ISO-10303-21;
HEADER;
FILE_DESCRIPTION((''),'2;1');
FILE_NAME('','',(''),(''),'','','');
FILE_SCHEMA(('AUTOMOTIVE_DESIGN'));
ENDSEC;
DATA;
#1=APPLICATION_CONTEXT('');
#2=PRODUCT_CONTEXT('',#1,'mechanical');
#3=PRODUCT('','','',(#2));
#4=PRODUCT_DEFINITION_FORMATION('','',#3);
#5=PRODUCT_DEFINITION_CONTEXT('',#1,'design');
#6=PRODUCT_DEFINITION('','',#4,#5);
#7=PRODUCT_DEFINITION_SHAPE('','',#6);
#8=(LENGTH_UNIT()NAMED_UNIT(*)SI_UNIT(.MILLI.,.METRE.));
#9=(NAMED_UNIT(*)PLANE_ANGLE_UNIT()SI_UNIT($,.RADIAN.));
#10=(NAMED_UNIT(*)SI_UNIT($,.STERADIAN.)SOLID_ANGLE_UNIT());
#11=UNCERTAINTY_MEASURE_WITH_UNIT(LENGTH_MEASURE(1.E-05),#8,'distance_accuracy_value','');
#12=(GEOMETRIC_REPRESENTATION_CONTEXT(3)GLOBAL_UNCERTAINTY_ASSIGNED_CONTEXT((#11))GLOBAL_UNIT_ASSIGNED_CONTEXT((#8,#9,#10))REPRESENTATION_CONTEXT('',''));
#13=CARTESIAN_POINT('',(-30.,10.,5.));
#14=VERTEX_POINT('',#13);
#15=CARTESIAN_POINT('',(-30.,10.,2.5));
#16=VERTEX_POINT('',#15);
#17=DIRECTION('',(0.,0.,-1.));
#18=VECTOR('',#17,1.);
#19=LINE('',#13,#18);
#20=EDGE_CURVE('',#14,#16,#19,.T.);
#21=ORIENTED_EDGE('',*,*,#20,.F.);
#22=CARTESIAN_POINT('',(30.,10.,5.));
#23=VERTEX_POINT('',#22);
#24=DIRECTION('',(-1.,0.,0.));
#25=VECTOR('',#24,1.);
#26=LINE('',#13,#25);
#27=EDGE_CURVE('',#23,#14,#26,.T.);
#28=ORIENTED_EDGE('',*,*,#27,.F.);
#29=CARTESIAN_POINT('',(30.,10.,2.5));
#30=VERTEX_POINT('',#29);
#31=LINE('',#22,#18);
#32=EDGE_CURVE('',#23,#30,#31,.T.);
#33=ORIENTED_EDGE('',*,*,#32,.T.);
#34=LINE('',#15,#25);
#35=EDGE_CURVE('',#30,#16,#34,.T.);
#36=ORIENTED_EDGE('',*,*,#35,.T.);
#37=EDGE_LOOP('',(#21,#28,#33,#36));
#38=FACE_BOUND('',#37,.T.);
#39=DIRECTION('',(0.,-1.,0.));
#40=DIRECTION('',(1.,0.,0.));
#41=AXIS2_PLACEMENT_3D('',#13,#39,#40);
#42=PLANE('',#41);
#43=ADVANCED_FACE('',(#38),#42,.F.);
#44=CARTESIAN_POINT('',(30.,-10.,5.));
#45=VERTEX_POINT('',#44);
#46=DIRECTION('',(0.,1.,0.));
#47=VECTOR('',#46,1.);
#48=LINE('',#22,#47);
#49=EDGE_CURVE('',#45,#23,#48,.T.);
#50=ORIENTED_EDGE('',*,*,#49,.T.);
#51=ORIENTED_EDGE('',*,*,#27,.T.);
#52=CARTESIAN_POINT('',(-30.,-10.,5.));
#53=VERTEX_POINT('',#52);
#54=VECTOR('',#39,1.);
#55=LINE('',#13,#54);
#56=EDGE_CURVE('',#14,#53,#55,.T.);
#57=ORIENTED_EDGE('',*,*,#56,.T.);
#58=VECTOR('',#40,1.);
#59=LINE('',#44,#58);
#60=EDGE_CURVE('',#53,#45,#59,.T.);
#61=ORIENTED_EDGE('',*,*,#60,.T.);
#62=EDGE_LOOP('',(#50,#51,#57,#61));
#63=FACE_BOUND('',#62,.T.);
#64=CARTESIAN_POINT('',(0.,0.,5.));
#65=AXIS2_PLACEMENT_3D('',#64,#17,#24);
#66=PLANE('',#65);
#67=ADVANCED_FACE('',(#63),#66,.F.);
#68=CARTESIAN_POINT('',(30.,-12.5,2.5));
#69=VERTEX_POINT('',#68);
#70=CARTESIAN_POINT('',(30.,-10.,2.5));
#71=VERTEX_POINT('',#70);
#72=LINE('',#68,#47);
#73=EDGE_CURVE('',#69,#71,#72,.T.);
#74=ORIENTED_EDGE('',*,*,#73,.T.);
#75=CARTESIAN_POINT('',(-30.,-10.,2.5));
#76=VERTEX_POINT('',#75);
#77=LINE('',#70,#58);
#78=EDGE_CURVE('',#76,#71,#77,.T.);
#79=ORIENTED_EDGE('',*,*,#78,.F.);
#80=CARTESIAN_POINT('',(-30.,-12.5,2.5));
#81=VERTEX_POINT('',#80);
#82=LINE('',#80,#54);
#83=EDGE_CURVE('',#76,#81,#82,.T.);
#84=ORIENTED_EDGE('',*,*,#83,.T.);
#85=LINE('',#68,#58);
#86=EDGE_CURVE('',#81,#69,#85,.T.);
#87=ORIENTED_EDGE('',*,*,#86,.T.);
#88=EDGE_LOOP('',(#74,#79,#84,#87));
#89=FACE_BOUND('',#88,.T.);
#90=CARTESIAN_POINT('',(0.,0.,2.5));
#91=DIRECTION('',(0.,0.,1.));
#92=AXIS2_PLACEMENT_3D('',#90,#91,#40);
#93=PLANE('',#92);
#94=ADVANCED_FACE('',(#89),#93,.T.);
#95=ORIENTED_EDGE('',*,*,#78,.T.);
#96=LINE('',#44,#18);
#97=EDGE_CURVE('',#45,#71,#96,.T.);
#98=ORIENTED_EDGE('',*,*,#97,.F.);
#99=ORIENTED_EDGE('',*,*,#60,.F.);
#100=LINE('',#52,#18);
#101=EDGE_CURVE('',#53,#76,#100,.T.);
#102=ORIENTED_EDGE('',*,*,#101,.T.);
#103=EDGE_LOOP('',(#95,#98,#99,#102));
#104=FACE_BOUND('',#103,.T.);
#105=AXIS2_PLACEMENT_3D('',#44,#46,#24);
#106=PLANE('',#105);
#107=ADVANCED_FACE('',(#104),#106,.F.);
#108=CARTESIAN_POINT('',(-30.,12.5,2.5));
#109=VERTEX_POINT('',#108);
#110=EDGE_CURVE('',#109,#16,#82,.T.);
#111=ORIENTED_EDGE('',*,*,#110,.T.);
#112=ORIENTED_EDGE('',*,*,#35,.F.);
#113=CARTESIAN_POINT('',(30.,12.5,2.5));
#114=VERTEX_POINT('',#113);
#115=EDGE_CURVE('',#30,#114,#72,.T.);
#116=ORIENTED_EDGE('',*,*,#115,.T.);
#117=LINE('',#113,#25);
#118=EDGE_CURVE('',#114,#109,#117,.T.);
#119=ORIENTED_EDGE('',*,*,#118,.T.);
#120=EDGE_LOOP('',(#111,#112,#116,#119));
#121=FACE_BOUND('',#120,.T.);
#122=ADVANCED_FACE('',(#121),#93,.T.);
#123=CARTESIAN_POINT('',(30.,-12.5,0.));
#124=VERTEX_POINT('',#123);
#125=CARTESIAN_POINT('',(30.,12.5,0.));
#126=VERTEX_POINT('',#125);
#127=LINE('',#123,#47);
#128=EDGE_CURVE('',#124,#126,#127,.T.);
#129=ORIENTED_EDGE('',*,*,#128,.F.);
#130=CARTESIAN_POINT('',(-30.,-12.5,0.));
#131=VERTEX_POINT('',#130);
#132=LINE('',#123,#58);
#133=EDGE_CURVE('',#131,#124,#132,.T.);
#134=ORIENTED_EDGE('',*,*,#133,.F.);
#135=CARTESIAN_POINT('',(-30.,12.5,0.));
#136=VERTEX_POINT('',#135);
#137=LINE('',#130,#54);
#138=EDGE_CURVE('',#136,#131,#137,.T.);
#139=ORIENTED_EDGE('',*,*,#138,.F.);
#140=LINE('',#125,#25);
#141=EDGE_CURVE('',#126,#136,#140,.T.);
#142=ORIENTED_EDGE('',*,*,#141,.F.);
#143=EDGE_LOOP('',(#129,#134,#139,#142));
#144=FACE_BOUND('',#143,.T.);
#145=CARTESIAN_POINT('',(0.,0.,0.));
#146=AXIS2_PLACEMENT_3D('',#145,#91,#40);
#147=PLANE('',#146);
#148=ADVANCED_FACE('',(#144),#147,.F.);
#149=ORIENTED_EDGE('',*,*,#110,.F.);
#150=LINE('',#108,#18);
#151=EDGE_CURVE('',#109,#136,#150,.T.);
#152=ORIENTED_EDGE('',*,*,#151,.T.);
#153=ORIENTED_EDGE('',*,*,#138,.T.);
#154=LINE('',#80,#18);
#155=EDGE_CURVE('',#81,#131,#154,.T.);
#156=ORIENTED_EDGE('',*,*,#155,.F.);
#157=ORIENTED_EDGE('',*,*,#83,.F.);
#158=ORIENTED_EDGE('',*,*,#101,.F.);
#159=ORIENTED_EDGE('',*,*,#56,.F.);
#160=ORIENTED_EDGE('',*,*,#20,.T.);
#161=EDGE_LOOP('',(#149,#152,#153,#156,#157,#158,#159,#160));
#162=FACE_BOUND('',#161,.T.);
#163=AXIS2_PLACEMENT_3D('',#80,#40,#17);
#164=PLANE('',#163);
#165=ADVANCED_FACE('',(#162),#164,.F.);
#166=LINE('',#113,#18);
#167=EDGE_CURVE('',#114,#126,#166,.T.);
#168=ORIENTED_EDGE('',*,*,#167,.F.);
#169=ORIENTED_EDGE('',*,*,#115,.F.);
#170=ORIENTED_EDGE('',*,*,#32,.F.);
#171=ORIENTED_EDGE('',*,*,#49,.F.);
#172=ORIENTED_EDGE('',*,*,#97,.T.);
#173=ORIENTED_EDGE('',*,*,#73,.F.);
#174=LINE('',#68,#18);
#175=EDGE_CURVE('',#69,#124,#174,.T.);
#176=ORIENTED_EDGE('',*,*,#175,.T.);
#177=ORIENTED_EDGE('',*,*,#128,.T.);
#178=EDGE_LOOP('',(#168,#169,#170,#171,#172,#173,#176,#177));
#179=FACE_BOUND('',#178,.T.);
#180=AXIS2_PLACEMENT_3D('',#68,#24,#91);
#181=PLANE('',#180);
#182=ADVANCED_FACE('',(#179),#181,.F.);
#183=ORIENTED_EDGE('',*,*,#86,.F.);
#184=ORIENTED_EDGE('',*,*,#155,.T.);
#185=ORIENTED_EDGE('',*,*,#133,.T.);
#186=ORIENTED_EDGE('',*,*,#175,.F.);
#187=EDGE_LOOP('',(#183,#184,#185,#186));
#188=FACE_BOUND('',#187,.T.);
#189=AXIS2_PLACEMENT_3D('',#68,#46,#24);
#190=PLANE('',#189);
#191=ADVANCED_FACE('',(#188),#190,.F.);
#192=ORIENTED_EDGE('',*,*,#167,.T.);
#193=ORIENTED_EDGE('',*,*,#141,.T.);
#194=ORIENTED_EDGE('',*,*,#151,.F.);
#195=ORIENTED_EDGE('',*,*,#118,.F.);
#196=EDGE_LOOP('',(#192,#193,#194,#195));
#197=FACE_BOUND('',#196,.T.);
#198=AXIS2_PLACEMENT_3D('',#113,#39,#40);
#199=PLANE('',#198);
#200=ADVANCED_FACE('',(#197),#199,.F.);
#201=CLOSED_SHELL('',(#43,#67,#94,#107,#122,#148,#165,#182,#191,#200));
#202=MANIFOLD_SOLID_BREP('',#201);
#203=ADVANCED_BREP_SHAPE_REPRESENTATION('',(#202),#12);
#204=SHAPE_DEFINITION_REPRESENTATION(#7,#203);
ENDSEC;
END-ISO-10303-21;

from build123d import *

# Parameters (mm, degrees)
SKETCH_1_W      = 60
SKETCH_1_H      = 25
EXTRUDE_1_DEPTH = 2.5
SKETCH_2_W      = 60
SKETCH_2_H      = 20
EXTRUDE_2_DEPTH = 2.5


with BuildPart() as part:
    # Эскиз1 → Бобышка-Вытянуть1 (new body)
    with BuildSketch(Plane.XY):
        Rectangle(SKETCH_1_W, SKETCH_1_H)
    extrude(amount=EXTRUDE_1_DEPTH)

    # Эскиз2 → Бобышка-Вытянуть2 (add)
    with BuildSketch(Plane.XY.offset(2.5)):
        Rectangle(SKETCH_2_W, SKETCH_2_H)
    extrude(amount=EXTRUDE_2_DEPTH)


solid = part.part
